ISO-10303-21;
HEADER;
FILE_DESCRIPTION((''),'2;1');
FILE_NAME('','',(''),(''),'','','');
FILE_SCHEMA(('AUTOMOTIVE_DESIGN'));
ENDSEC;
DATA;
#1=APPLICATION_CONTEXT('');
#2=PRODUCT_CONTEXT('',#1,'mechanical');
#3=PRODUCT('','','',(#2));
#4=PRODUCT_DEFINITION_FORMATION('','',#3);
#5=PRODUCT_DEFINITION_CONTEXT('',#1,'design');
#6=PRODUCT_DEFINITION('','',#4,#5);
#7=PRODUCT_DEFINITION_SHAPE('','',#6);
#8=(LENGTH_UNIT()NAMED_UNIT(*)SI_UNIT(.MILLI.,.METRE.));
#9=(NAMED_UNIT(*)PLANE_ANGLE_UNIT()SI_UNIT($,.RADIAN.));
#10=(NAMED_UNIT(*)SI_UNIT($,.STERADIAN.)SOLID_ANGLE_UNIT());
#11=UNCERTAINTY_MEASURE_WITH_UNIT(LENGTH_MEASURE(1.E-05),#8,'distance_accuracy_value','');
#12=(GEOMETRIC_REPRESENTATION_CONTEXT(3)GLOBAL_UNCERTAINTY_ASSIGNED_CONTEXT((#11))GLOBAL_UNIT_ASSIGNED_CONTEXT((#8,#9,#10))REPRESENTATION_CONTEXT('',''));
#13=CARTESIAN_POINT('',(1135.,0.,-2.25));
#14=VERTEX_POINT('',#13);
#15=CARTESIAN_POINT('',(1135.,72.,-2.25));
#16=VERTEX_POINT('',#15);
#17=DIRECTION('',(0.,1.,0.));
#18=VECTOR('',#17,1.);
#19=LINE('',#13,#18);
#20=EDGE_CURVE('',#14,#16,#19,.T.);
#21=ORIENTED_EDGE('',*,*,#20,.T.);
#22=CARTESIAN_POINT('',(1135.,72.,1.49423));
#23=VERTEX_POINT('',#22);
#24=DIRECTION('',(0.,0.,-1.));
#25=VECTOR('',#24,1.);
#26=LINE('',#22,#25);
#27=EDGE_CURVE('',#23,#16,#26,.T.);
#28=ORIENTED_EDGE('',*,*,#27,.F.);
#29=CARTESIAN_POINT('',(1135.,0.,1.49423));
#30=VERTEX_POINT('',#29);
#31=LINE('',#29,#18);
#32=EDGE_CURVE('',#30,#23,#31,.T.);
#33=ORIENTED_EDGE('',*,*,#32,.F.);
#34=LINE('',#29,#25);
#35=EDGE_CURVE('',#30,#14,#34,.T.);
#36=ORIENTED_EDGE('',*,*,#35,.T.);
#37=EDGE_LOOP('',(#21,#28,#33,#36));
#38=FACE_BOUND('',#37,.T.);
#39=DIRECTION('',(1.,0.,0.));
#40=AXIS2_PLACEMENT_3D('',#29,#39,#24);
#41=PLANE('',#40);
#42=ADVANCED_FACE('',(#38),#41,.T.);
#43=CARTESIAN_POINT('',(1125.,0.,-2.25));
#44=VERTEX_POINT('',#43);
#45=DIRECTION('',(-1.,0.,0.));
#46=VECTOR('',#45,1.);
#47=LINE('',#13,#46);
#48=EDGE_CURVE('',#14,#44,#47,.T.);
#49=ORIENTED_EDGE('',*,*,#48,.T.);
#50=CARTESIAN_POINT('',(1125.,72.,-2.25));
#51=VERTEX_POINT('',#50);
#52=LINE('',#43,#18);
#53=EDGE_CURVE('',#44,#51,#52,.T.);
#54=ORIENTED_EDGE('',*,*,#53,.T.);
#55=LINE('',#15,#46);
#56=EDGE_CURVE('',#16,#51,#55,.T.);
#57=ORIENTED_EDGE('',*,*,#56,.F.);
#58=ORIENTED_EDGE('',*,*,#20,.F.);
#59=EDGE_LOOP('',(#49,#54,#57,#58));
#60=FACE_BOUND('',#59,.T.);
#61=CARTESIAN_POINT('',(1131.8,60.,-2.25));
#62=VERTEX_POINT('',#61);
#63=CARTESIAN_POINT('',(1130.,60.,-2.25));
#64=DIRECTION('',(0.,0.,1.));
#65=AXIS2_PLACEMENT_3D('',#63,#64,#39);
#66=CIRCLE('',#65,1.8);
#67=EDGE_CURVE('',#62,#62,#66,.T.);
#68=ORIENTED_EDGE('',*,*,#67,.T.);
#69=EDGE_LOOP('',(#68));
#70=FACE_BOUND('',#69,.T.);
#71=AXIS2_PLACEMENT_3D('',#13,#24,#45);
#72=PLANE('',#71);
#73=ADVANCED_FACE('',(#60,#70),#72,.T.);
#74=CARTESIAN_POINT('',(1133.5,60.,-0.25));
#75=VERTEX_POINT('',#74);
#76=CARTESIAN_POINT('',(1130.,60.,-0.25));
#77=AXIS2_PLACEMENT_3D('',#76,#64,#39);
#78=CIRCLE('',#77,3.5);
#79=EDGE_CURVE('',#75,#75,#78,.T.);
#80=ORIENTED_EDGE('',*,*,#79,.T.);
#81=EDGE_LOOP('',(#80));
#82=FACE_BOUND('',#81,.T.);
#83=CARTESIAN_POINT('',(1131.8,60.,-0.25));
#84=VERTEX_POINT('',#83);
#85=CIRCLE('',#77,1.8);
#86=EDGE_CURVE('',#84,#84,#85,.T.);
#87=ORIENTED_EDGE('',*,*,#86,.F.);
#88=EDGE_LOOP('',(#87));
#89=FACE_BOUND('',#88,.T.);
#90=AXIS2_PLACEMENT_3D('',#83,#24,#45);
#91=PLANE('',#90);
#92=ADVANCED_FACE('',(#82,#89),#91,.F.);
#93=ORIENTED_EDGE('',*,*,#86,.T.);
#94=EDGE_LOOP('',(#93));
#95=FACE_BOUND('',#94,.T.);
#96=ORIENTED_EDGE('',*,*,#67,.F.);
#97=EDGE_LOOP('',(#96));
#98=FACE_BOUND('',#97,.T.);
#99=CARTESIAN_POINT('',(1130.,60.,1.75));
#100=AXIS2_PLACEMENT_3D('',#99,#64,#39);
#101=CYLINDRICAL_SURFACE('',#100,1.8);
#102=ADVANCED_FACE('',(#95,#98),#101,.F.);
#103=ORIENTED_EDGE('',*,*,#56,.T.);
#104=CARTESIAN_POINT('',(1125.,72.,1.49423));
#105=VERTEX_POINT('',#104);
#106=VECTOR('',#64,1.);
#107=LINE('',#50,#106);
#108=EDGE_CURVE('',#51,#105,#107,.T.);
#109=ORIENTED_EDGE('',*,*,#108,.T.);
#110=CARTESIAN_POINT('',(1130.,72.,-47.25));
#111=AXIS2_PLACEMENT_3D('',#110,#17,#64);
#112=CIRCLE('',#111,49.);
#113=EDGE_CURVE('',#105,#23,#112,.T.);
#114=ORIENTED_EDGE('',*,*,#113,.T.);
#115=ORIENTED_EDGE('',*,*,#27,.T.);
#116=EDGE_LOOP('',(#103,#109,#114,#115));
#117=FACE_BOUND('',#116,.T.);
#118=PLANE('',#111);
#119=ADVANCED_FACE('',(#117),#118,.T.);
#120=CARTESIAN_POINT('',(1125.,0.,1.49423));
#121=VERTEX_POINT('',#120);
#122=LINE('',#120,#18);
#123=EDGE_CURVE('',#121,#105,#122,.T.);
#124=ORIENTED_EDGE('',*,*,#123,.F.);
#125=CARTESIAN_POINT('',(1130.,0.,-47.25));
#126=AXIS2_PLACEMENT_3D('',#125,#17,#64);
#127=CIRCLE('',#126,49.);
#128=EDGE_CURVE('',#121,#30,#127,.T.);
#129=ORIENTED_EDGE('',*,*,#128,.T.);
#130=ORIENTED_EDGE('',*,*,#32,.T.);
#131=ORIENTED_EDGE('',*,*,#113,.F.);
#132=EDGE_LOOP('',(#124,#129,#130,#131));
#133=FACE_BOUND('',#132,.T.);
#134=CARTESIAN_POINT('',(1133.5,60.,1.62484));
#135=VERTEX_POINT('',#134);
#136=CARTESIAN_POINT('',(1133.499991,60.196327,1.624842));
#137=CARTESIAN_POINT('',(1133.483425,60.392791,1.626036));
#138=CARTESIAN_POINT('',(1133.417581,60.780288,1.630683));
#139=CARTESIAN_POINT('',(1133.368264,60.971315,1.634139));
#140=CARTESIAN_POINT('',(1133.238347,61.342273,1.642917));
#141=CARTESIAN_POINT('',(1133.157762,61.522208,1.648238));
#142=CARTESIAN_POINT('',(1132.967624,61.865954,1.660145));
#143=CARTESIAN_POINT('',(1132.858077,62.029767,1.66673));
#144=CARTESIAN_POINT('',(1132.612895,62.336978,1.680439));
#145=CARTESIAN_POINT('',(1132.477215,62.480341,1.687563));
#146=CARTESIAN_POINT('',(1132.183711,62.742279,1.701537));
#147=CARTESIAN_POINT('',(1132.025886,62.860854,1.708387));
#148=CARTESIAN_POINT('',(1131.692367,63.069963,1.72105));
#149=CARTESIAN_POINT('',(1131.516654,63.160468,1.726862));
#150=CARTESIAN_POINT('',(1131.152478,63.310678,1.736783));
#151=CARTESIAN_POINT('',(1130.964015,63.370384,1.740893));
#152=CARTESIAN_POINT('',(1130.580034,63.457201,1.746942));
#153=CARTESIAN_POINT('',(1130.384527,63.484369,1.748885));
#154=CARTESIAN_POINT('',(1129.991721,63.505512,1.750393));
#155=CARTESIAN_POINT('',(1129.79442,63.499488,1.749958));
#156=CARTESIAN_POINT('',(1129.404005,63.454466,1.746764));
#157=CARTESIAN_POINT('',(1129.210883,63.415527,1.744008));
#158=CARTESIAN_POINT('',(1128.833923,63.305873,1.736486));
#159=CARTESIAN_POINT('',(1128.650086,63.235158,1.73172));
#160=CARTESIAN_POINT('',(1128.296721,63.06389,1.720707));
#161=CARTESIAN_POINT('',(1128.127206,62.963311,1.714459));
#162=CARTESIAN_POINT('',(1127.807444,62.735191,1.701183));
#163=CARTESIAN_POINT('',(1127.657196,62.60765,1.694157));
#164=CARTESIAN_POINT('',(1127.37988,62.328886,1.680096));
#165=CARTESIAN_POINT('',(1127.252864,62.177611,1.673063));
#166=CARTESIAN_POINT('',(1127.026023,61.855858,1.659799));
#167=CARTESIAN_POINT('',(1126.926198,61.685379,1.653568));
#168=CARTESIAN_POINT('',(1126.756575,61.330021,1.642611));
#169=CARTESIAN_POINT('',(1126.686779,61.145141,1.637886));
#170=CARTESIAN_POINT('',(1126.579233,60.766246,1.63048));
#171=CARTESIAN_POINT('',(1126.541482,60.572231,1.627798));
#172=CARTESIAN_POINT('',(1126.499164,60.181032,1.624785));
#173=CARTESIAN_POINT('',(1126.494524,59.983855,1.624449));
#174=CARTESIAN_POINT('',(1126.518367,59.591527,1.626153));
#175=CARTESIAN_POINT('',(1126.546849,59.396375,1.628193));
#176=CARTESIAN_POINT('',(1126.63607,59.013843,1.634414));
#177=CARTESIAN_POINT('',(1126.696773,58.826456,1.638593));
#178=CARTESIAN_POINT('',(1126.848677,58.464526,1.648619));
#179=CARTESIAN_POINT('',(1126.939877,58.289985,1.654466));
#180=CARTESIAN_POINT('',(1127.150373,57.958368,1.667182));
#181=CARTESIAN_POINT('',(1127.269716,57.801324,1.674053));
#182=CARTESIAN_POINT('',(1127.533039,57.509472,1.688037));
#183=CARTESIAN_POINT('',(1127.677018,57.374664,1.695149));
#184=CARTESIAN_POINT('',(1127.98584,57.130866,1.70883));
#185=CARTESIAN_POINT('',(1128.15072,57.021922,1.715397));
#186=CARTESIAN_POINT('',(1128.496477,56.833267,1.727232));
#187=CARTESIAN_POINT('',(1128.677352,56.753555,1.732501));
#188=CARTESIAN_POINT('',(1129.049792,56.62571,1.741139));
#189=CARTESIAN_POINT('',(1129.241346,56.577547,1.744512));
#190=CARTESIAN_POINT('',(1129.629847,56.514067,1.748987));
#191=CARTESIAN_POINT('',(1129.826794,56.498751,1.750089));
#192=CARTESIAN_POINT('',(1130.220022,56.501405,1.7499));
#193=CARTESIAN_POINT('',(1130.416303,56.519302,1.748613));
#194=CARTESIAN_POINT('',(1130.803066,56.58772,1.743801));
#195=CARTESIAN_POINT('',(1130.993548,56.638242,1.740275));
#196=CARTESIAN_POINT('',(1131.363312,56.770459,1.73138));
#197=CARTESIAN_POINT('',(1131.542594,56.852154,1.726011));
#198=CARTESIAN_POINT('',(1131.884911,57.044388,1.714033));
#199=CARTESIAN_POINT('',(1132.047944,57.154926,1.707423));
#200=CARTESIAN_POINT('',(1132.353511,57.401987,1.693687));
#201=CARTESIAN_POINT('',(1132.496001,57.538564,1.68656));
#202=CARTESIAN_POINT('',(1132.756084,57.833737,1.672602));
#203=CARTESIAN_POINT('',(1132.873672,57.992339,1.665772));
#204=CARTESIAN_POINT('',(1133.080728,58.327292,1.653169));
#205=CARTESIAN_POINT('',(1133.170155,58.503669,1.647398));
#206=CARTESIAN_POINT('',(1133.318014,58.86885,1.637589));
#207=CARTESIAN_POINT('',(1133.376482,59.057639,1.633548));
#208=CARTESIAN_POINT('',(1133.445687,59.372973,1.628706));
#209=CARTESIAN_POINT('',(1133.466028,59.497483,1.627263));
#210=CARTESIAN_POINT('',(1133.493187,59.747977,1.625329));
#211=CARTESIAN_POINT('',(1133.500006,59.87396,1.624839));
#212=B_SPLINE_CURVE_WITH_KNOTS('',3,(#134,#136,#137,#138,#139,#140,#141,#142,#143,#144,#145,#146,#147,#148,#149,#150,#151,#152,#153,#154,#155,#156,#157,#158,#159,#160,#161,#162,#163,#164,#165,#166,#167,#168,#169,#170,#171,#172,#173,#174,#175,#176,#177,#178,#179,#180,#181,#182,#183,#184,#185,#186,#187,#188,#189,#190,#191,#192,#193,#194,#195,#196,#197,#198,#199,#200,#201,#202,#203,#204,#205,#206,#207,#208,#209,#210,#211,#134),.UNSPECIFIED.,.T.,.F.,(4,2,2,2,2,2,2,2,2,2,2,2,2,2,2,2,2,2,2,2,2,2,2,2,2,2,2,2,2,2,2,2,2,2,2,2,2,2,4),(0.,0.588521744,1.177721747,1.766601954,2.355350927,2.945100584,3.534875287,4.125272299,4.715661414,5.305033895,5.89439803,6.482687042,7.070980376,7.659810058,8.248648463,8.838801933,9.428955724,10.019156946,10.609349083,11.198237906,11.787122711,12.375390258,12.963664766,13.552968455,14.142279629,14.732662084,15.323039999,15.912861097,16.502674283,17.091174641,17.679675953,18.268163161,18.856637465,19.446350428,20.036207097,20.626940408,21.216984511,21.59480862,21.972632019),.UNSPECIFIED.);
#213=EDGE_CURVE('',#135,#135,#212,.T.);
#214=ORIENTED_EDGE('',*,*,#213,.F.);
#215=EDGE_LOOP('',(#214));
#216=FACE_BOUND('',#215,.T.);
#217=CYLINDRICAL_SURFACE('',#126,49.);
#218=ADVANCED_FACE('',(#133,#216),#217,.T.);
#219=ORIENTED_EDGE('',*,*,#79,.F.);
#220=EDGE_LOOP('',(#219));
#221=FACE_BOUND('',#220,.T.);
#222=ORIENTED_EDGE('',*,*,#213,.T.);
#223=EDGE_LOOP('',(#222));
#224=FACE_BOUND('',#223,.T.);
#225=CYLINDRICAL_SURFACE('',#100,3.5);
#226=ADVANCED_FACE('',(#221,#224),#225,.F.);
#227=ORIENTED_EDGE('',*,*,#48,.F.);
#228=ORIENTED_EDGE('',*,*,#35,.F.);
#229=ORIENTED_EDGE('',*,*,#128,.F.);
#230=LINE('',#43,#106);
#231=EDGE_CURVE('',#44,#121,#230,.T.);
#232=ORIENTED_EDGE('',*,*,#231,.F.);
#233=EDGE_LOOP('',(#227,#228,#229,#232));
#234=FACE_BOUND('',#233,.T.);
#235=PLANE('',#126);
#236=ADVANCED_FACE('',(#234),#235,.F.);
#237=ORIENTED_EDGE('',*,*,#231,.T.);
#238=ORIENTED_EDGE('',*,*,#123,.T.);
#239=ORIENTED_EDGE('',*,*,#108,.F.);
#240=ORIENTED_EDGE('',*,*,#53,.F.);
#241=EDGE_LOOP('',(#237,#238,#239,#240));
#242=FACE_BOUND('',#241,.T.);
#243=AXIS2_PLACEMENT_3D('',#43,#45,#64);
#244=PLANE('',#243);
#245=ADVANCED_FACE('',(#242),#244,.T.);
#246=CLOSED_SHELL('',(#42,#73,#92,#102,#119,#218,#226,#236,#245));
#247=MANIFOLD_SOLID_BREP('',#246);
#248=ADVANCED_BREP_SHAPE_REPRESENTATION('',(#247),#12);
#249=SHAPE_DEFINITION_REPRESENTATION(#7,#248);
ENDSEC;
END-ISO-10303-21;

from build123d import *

# Parameters (mm, degrees)
EXTRUDE_1_DEPTH              = 72
HOLE_WIZARD_M3_1_D           = 3.6
HOLE_WIZARD_M3_1_DEPTH       = 4
HOLE_WIZARD_M3_1_CBORE_D     = 7
HOLE_WIZARD_M3_1_CBORE_DEPTH = 2


with BuildPart() as part:
    # 草图1 → 凸台-拉伸1 (new body)
    with BuildSketch(Plane(origin=(0, 72, 0), x_dir=(1, 0, 0), z_dir=(0, 1, 0))):
        with BuildLine():
            Line((1135, -1.494230428), (1135, 2.25))
            Line((1135, 2.25), (1125, 2.25))
            Line((1125, 2.25), (1125, -1.494230428))
            ThreePointArc((1125, -1.494230428), (1130, -1.75), (1135, -1.494230428))
        make_face()
    extrude(amount=-EXTRUDE_1_DEPTH)

    # M3 六角头机械螺钉的柱形沉头孔1
    with Locations(Plane(origin=(1130, 60, 1.75), x_dir=(1, 0, 0), z_dir=(0, 0, 1))):
        with Locations((0, 0)):
            CounterBoreHole(HOLE_WIZARD_M3_1_D / 2, HOLE_WIZARD_M3_1_CBORE_D / 2, HOLE_WIZARD_M3_1_CBORE_DEPTH, depth=HOLE_WIZARD_M3_1_DEPTH)


solid = part.part
